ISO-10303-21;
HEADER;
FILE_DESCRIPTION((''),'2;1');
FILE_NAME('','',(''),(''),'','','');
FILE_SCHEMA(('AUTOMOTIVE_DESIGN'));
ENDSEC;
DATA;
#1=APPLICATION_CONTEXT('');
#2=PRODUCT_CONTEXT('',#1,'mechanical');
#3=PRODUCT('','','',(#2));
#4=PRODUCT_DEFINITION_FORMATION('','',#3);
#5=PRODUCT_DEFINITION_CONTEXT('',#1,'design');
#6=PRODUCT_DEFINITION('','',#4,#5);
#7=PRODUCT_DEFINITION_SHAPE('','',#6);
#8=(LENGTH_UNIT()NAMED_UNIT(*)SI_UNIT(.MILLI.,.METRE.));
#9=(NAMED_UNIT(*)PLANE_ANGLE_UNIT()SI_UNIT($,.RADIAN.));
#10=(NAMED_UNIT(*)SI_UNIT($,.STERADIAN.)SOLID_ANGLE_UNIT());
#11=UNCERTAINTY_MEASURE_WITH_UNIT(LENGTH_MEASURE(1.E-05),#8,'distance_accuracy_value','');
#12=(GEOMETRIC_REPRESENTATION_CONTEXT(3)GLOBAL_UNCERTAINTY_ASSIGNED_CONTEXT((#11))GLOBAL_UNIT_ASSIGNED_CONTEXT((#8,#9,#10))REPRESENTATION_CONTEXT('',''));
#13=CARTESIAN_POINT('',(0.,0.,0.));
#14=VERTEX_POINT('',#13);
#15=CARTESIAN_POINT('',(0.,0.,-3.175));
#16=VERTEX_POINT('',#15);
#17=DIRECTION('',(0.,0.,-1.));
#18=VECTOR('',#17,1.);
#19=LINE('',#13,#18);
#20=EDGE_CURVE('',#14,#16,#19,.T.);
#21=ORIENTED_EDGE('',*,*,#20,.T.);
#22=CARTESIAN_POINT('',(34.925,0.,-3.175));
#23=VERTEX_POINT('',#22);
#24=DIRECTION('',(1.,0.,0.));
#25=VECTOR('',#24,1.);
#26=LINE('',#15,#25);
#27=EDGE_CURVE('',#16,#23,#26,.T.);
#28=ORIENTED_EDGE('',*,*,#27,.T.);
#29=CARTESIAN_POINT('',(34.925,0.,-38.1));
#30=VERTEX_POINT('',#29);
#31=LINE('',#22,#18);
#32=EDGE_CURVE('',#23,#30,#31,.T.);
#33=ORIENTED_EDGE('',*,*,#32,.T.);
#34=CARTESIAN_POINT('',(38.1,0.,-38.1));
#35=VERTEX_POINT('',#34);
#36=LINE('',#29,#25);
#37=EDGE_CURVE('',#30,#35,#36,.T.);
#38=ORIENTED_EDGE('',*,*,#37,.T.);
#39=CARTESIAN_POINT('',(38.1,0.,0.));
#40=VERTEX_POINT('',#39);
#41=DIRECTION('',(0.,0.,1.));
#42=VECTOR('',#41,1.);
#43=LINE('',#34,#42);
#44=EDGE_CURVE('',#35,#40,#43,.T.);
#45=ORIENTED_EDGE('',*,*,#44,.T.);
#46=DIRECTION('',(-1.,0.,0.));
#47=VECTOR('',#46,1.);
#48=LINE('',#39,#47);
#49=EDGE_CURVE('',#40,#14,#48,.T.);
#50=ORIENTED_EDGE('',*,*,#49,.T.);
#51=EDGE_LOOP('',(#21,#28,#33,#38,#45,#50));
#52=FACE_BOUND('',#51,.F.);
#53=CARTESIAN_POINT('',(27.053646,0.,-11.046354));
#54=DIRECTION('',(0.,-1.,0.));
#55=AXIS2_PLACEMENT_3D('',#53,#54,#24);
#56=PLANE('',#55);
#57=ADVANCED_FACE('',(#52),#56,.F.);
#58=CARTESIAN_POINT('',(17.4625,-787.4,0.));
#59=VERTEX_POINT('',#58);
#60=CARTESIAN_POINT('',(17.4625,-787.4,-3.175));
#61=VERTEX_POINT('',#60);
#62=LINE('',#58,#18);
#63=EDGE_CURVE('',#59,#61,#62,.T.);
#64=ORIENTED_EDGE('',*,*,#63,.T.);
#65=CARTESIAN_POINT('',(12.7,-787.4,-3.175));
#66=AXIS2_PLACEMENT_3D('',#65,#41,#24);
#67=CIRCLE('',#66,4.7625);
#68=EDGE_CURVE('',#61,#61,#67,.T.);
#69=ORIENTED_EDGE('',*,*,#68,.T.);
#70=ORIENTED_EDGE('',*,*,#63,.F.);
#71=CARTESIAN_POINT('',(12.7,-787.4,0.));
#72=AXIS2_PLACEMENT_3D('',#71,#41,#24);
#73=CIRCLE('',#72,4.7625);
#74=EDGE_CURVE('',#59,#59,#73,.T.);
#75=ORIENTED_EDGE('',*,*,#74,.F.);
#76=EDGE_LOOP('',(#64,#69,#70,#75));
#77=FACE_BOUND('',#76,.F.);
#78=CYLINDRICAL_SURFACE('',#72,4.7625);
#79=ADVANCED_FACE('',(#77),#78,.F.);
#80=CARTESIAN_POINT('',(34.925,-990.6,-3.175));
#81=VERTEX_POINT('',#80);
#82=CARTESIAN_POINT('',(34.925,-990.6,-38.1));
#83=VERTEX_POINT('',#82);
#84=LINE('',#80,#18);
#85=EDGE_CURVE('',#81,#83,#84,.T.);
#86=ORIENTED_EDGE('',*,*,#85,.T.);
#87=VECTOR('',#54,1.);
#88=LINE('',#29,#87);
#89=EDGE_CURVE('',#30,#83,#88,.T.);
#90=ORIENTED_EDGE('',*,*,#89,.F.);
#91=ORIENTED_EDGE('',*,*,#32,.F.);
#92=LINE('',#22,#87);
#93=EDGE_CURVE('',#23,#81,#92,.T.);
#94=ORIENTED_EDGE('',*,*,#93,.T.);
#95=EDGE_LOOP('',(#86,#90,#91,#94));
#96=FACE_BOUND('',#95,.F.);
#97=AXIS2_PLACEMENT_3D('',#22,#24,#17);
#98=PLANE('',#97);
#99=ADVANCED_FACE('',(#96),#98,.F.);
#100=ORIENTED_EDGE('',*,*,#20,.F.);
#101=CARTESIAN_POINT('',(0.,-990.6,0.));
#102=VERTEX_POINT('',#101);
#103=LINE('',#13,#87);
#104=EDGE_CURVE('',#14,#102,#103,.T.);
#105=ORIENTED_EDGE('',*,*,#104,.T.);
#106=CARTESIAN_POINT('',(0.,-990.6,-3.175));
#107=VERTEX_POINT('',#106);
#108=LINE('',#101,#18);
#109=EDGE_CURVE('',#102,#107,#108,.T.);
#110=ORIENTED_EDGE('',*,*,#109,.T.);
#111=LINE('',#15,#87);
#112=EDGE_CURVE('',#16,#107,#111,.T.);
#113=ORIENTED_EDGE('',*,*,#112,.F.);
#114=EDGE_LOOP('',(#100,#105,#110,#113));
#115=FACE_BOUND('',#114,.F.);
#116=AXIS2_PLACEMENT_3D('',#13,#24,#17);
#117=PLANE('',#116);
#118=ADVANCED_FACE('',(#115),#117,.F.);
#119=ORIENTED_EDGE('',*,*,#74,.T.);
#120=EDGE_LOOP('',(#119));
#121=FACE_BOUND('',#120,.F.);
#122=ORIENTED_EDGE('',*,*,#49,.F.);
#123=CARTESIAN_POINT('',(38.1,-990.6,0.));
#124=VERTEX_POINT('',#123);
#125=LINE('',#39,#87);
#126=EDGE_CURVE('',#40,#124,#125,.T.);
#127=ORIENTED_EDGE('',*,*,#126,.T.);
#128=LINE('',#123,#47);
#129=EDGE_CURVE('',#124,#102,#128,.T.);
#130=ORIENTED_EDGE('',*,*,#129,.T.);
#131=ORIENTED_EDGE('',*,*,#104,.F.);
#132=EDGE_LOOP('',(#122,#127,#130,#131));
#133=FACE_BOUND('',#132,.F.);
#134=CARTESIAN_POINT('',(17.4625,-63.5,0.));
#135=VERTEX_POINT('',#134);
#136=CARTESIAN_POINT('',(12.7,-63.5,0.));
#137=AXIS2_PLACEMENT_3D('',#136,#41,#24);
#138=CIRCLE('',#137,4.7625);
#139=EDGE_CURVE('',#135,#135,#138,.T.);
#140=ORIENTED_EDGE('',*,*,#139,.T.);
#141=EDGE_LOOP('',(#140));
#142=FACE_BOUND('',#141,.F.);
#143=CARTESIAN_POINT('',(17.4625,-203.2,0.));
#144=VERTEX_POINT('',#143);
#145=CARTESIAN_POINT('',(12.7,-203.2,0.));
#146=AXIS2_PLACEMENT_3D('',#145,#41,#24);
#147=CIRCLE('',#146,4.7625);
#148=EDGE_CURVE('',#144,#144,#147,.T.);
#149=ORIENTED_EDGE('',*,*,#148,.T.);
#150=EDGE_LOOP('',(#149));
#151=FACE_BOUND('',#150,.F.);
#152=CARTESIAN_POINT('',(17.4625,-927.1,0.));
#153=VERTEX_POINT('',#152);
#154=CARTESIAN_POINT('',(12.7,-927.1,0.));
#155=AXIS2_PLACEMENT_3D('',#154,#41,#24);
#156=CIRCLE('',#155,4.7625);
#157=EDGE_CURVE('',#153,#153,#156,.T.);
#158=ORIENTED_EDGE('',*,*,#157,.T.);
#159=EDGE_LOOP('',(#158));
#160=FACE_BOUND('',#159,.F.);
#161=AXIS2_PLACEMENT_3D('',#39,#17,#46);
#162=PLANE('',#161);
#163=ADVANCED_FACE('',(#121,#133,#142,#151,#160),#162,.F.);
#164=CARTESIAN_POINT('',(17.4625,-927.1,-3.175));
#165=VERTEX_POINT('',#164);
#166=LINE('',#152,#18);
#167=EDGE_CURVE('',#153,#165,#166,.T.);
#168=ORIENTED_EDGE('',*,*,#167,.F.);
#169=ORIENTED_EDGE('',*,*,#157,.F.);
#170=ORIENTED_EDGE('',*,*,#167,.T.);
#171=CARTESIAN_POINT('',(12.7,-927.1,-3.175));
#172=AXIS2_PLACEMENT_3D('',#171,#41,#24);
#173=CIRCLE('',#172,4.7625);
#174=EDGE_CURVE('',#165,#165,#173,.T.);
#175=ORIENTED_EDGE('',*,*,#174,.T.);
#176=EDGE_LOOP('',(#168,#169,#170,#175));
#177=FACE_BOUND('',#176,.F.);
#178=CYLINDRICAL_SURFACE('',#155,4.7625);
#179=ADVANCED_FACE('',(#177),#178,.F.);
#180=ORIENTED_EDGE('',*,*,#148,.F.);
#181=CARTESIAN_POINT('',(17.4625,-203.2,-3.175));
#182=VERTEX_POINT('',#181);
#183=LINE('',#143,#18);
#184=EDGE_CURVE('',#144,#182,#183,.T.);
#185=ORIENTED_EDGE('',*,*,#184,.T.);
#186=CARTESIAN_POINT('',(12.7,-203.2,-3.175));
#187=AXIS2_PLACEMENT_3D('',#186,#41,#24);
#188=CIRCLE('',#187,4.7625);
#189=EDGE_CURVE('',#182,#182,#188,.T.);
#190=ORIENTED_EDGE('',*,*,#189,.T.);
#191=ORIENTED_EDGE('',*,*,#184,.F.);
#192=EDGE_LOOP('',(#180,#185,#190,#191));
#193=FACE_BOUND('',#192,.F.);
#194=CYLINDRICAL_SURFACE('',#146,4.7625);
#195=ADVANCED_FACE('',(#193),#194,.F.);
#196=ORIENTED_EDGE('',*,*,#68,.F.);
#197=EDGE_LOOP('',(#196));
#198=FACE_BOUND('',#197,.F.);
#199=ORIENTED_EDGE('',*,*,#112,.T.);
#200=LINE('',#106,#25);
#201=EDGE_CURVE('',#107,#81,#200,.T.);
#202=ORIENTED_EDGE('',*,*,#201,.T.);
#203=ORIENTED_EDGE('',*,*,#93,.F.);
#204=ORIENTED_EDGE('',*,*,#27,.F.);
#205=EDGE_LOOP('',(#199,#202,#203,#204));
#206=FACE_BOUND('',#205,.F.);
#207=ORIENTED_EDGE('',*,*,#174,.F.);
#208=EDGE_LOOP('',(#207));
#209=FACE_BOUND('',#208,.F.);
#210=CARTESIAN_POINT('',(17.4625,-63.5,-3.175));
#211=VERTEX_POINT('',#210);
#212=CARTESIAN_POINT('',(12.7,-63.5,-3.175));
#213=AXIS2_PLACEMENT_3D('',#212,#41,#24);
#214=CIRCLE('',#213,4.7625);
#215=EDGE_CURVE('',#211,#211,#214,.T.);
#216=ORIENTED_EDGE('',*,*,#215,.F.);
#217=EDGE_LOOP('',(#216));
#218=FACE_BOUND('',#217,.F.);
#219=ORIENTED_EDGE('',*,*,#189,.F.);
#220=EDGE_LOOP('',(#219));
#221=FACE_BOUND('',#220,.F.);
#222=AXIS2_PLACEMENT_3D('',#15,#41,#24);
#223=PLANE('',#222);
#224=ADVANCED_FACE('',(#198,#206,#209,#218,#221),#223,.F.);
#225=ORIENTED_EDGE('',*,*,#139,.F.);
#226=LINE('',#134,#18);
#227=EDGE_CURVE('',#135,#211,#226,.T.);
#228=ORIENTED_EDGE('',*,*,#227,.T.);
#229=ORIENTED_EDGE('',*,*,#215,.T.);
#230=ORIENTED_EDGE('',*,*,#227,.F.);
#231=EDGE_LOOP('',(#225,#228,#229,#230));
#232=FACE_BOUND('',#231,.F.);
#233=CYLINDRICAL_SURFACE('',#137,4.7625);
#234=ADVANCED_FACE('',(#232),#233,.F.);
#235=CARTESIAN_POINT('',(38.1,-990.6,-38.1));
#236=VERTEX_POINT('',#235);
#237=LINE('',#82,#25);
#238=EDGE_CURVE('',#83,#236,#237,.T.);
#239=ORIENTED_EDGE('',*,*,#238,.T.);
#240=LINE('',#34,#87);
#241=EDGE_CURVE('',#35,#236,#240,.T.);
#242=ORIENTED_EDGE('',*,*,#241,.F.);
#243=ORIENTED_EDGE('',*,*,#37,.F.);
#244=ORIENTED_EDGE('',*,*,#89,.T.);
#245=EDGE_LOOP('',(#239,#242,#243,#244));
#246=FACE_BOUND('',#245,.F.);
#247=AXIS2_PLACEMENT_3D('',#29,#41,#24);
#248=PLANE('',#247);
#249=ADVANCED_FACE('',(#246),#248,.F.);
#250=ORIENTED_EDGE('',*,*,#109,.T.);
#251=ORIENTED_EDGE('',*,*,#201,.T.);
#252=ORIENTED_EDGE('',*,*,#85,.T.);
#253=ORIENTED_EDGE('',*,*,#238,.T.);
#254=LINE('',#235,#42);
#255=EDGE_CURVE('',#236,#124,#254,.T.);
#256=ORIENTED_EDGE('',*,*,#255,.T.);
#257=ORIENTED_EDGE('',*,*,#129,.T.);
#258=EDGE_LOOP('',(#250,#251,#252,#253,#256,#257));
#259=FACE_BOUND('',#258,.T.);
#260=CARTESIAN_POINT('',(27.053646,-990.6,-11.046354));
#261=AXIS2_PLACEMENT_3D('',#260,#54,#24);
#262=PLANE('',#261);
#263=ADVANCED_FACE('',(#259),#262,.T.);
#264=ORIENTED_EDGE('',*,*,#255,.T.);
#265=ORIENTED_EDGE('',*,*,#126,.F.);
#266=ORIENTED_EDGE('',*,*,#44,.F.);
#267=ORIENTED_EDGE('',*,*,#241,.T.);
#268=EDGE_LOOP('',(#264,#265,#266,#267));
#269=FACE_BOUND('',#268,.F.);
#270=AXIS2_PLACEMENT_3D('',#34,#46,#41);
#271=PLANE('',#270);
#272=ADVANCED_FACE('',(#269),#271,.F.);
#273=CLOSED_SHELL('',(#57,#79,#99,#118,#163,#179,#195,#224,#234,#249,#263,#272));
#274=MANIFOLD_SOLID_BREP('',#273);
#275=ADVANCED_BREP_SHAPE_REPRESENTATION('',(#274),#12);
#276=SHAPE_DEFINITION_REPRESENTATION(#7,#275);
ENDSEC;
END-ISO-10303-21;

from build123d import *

# Parameters (mm, degrees)
F1_DEPTH = 990.6
F2_R     = 4.7625
F3_DEPTH = 38.101


with BuildPart() as f1:
    # F0 (on Front) → F1 (new body)
    with BuildSketch(Plane.XZ):
        Polygon((38.1, 0), (0, 0), (0, -3.175), (34.925, -3.175), (34.925, -38.1), (38.1, -38.1), align=None)
    extrude(amount=F1_DEPTH)

    # F2 (on face) → F3 (cut, through all)
    with BuildSketch(Plane.XY):
        with Locations((12.7, -927.1)):
            Circle(F2_R)
        with Locations((12.7, -787.4)):
            Circle(F2_R)
        with Locations((12.7, -203.2)):
            Circle(F2_R)
        with Locations((12.7, -63.5)):
            Circle(F2_R)
    extrude(amount=-F3_DEPTH, mode=Mode.SUBTRACT)


solid = f1.part
